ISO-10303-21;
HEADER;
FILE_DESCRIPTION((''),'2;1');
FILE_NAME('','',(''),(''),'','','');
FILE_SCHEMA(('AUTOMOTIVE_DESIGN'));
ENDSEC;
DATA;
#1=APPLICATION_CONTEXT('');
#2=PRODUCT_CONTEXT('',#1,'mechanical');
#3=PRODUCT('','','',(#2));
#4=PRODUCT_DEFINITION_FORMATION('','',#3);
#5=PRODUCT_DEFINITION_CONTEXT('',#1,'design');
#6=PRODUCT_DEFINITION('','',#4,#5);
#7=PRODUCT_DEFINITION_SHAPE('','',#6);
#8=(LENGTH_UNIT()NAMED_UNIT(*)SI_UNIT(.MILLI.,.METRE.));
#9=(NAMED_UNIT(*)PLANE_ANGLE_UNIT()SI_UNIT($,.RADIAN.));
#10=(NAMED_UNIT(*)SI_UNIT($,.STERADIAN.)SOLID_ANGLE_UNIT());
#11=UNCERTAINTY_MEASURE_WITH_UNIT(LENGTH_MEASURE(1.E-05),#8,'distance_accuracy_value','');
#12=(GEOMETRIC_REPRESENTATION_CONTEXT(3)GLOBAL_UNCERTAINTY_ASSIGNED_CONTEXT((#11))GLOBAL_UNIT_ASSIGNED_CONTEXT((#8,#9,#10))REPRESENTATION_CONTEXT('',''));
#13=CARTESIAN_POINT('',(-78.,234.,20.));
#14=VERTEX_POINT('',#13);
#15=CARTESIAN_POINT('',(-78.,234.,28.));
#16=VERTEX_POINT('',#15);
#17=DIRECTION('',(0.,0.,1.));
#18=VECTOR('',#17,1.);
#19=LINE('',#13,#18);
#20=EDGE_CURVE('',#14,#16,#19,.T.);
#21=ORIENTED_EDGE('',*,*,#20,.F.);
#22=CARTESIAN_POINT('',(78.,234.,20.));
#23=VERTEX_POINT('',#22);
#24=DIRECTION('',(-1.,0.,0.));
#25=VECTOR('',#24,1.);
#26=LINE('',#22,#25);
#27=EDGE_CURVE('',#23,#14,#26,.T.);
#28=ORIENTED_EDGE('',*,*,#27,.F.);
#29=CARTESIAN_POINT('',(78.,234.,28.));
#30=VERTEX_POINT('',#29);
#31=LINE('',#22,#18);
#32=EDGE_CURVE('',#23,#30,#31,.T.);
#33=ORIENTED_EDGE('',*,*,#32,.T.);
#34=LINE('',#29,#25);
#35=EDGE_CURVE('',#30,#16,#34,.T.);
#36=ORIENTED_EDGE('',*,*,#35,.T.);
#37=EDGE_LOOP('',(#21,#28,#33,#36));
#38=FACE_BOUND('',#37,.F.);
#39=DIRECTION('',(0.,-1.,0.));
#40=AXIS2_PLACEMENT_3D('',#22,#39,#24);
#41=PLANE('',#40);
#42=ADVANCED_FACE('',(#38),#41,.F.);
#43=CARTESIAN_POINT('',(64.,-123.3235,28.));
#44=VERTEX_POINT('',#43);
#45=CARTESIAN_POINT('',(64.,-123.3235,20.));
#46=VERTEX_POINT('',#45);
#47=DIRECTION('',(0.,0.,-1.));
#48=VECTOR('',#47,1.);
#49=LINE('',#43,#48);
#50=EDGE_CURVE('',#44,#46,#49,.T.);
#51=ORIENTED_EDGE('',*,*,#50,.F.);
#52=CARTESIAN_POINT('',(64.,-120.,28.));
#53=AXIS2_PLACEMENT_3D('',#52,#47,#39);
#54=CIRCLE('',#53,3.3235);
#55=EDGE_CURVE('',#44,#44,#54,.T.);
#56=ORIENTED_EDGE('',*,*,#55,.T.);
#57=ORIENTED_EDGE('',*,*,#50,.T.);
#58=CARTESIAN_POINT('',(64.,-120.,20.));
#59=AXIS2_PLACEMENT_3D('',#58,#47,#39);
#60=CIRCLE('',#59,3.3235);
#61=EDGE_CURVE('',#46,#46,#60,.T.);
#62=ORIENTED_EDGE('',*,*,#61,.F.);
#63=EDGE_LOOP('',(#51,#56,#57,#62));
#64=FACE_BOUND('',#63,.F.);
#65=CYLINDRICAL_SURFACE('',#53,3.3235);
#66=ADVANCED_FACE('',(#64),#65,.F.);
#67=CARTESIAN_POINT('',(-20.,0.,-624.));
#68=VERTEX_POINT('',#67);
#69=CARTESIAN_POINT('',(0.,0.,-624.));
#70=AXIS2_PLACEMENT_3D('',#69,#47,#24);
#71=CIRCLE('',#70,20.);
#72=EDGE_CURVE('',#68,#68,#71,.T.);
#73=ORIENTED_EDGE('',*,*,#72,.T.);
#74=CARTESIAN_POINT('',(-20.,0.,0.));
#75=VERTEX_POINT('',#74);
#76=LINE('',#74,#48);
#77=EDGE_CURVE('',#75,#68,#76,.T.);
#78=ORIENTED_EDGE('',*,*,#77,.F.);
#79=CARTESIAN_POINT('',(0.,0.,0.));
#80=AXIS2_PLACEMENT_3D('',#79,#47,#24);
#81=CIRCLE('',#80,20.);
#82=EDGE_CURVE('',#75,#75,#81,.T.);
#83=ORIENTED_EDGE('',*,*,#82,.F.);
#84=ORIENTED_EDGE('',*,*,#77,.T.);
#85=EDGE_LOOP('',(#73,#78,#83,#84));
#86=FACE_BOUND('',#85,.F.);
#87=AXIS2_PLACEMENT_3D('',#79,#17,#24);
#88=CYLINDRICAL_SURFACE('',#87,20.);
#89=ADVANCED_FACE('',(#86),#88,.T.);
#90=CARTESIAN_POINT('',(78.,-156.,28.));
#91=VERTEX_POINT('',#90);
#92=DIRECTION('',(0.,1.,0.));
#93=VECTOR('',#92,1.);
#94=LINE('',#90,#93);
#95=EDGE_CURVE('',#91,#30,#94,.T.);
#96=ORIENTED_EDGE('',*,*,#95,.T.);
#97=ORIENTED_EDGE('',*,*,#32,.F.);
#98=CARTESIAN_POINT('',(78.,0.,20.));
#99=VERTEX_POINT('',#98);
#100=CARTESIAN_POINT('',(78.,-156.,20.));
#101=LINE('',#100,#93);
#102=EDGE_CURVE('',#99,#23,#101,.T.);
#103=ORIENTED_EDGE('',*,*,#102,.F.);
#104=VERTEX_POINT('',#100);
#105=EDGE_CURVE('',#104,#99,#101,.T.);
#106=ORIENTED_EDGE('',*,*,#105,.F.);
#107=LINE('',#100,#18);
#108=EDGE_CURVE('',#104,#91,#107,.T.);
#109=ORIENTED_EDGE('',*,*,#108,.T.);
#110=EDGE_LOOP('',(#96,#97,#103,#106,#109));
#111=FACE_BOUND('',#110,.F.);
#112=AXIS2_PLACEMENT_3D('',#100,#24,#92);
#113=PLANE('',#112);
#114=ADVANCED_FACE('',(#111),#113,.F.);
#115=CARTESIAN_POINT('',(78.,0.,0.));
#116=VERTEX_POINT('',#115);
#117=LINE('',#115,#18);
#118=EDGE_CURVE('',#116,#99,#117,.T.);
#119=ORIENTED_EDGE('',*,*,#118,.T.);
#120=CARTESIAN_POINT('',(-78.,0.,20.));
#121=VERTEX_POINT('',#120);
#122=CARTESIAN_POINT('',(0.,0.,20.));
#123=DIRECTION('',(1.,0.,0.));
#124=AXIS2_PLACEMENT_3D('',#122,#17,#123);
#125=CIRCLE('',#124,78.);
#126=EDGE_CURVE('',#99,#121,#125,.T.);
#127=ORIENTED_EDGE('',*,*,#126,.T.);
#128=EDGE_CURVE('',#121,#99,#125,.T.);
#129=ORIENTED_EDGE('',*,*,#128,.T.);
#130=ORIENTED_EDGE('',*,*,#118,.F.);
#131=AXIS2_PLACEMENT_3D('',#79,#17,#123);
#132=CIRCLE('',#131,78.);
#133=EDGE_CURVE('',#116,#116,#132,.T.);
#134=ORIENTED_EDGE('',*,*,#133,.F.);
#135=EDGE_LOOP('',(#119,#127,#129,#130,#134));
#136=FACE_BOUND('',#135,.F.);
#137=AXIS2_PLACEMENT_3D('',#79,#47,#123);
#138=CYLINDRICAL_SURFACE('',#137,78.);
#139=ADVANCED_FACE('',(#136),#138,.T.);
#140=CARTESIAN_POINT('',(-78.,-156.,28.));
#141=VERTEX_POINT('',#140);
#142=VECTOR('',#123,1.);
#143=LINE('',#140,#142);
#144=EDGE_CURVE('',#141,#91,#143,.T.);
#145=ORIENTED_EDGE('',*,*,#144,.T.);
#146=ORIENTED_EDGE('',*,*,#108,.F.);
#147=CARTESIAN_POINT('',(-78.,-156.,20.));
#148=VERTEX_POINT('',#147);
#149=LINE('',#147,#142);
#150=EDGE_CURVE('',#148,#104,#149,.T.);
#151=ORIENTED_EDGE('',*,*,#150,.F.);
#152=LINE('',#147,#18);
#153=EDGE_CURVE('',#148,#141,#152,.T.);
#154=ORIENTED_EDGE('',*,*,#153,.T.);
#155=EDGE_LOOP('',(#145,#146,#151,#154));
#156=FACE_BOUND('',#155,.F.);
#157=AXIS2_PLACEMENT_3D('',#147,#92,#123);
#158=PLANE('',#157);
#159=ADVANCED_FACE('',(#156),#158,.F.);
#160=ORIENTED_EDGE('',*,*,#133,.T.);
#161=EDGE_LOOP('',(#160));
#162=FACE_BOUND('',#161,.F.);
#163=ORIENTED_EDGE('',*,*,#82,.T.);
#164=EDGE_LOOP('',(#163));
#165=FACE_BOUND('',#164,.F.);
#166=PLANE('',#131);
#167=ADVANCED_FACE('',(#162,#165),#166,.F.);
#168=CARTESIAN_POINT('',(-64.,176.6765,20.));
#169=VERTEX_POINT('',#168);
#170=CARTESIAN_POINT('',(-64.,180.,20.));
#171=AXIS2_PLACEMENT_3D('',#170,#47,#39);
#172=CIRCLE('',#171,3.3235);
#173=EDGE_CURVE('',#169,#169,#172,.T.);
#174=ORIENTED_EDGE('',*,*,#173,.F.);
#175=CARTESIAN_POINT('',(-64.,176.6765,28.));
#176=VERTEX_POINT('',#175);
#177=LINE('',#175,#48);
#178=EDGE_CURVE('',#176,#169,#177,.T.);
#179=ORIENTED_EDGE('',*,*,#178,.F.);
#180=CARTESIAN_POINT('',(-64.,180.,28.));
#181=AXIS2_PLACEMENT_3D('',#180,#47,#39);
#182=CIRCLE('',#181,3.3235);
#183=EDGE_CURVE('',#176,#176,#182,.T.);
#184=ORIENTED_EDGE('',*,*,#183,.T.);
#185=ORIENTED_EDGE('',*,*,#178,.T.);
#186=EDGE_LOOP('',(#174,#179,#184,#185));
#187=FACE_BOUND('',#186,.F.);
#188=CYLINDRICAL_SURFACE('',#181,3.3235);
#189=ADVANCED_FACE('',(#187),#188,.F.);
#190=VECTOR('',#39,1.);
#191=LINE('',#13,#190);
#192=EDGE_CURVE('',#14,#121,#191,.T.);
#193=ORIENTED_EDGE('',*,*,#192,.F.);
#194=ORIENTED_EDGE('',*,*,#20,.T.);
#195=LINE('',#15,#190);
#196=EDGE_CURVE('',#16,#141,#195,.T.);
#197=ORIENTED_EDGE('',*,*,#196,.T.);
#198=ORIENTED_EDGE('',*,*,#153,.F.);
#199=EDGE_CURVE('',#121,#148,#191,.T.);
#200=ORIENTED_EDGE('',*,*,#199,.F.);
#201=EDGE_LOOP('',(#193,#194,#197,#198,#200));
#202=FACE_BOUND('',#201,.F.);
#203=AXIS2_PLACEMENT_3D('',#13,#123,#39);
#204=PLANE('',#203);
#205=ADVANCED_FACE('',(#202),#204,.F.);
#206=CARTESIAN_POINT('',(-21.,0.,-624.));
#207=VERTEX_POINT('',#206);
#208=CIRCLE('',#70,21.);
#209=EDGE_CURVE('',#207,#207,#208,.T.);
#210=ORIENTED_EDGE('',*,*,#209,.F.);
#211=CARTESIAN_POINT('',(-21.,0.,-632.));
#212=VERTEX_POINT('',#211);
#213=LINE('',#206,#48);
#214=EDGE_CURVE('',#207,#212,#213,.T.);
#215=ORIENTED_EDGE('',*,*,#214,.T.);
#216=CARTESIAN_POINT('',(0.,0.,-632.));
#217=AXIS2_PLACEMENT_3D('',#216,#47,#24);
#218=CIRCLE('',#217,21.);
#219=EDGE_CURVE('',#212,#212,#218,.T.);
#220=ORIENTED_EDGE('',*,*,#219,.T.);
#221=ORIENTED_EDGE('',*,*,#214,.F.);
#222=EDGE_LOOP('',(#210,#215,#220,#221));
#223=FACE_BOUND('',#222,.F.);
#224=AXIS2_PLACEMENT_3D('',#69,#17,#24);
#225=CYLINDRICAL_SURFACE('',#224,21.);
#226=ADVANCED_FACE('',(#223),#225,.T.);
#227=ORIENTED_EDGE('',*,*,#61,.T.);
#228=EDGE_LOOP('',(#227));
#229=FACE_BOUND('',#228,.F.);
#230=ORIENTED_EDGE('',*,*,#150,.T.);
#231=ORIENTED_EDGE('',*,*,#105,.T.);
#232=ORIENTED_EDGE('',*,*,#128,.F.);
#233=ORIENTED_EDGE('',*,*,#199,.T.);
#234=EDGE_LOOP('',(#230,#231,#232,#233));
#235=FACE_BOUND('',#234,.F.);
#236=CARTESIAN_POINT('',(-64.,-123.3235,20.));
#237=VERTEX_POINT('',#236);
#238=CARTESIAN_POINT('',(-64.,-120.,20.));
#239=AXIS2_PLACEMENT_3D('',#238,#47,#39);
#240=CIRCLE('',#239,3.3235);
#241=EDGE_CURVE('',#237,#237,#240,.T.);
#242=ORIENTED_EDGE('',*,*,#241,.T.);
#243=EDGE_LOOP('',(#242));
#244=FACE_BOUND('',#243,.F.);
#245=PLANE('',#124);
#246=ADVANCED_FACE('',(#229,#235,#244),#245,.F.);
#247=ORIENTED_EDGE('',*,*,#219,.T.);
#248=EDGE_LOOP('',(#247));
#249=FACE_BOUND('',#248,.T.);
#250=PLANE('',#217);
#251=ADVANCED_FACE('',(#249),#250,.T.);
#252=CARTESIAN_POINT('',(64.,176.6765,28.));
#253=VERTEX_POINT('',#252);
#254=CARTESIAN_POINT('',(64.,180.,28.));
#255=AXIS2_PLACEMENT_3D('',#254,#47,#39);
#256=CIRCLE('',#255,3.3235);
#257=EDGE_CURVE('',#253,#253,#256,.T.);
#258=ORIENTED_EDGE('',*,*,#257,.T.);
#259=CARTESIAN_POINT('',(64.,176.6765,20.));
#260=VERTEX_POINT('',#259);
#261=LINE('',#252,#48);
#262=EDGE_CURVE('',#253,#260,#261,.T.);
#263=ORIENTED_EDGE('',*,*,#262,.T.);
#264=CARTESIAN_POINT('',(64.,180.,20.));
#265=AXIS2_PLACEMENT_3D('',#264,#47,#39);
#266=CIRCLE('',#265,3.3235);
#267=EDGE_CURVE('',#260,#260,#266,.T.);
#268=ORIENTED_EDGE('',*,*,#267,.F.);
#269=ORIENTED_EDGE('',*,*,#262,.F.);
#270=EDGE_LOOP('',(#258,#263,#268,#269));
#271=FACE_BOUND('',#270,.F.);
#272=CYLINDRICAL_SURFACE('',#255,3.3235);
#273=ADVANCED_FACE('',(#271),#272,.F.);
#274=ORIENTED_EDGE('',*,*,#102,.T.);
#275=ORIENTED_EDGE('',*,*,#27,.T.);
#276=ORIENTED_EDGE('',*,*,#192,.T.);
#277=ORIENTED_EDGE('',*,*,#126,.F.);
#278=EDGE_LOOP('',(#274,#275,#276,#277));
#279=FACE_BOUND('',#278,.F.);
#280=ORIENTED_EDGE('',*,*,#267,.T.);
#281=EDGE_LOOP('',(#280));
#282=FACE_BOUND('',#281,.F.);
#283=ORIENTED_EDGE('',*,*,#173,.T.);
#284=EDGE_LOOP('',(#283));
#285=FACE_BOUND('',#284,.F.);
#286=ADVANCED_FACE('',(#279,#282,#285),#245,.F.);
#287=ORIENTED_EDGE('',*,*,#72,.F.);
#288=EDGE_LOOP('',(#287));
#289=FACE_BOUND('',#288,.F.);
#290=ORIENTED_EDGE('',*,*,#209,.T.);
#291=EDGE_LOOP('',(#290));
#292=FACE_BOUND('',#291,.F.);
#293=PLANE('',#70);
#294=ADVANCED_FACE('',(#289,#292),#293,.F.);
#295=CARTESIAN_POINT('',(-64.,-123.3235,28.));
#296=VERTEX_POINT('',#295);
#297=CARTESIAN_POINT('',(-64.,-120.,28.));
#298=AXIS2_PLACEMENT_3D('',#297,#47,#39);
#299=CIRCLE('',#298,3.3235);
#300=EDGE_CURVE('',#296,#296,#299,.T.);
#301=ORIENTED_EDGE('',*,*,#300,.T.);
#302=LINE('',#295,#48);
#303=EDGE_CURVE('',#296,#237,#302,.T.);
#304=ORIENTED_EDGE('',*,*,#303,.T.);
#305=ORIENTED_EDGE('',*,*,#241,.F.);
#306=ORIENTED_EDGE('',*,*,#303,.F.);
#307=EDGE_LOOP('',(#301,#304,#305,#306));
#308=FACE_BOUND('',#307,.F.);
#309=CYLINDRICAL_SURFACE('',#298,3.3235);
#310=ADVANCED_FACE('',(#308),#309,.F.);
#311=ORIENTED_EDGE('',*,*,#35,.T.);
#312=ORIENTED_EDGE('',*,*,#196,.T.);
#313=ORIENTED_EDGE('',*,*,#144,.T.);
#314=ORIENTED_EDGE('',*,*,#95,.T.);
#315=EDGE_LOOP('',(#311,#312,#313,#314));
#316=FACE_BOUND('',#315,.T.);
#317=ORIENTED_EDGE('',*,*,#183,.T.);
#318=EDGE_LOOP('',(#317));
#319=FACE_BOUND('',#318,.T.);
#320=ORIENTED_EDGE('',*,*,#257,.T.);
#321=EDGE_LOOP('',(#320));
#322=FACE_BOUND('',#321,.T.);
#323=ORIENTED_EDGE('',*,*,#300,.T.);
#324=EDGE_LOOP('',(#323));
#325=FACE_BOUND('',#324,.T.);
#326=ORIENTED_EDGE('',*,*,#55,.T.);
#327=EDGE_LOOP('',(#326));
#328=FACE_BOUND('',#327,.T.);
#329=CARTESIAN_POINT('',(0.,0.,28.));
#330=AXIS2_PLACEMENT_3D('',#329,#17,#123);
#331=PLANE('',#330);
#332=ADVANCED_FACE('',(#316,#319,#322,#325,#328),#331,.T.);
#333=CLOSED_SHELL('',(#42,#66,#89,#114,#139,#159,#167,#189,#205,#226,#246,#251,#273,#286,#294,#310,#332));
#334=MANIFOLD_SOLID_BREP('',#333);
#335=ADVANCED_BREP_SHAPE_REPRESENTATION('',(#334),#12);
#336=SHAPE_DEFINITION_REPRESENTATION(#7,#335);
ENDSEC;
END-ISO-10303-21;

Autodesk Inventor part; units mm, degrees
ref_plane "YZ Plane" through (0, 0, 0) normal (1, 0, 0) x (0, 1, 0)
ref_plane "XZ Plane" through (0, 0, 0) normal (0, 1, 0) x (-1, 0, 0)
ref_plane "XY Plane" through (0, 0, 0) normal (0, 0, 1) x (1, 0, 0)
sketch "Sketch1" plane through (0, 0, 0) normal (0, 0, 1) x (1, 0, 0)
  circle A0 centre (0, 0) radius 78
extrude "Connector" add sketch "Sketch1" along normal blind 20
sketch "Sketch2" plane through (0, 0, 0) normal (0, 0, -1) x (-1, 0, 0)
  circle A0 centre (0, 0) radius 20
extrude "RotAxis" add sketch "Sketch2" along normal blind 624
sketch "Sketch3" plane through (0, 0, 20) normal (0, 0, 1) x (1, 0, 0)
  line L0 (78, 234) -> (-78, 234)
  line L1 (-78, 234) -> (-78, -156)
  line L2 (-78, -156) -> (78, -156)
  line L3 (78, -156) -> (78, 234)
  point P0 (0, 0)
extrude "TelescopeMount" add sketch "Sketch3" along normal blind 8
sketch "Sketch4" plane through (0, 0, -624) normal (0, 0, -1) x (-1, 0, 0)
  circle A0 centre (0, 0) radius 21
extrude "Cap" add sketch "Sketch4" along normal blind 8
sketch "Sketch5" plane through (0, 0, 28) normal (0, 0, 1) x (1, 0, 0)
  line L0 (-78, 234) -> (-78, -156) projected
  line L1 (78, -156) -> (78, 234) projected
  point P0 (0, 0)
  point P1 (64, -120)
  point P2 (-64, -120)
  point P3 (-64, 180)
  point P4 (64, 180)
hole "Hole1" at (64, -120, 28) at (-64, -120, 28) at (-64, 180, 28) at (64, 180, 28) direction (0, 0, -1) diameter 6.647 end through all thread size "M8x1.25" class "6H" standard "ISO Metric profile"
properties part number "DecAxis"
